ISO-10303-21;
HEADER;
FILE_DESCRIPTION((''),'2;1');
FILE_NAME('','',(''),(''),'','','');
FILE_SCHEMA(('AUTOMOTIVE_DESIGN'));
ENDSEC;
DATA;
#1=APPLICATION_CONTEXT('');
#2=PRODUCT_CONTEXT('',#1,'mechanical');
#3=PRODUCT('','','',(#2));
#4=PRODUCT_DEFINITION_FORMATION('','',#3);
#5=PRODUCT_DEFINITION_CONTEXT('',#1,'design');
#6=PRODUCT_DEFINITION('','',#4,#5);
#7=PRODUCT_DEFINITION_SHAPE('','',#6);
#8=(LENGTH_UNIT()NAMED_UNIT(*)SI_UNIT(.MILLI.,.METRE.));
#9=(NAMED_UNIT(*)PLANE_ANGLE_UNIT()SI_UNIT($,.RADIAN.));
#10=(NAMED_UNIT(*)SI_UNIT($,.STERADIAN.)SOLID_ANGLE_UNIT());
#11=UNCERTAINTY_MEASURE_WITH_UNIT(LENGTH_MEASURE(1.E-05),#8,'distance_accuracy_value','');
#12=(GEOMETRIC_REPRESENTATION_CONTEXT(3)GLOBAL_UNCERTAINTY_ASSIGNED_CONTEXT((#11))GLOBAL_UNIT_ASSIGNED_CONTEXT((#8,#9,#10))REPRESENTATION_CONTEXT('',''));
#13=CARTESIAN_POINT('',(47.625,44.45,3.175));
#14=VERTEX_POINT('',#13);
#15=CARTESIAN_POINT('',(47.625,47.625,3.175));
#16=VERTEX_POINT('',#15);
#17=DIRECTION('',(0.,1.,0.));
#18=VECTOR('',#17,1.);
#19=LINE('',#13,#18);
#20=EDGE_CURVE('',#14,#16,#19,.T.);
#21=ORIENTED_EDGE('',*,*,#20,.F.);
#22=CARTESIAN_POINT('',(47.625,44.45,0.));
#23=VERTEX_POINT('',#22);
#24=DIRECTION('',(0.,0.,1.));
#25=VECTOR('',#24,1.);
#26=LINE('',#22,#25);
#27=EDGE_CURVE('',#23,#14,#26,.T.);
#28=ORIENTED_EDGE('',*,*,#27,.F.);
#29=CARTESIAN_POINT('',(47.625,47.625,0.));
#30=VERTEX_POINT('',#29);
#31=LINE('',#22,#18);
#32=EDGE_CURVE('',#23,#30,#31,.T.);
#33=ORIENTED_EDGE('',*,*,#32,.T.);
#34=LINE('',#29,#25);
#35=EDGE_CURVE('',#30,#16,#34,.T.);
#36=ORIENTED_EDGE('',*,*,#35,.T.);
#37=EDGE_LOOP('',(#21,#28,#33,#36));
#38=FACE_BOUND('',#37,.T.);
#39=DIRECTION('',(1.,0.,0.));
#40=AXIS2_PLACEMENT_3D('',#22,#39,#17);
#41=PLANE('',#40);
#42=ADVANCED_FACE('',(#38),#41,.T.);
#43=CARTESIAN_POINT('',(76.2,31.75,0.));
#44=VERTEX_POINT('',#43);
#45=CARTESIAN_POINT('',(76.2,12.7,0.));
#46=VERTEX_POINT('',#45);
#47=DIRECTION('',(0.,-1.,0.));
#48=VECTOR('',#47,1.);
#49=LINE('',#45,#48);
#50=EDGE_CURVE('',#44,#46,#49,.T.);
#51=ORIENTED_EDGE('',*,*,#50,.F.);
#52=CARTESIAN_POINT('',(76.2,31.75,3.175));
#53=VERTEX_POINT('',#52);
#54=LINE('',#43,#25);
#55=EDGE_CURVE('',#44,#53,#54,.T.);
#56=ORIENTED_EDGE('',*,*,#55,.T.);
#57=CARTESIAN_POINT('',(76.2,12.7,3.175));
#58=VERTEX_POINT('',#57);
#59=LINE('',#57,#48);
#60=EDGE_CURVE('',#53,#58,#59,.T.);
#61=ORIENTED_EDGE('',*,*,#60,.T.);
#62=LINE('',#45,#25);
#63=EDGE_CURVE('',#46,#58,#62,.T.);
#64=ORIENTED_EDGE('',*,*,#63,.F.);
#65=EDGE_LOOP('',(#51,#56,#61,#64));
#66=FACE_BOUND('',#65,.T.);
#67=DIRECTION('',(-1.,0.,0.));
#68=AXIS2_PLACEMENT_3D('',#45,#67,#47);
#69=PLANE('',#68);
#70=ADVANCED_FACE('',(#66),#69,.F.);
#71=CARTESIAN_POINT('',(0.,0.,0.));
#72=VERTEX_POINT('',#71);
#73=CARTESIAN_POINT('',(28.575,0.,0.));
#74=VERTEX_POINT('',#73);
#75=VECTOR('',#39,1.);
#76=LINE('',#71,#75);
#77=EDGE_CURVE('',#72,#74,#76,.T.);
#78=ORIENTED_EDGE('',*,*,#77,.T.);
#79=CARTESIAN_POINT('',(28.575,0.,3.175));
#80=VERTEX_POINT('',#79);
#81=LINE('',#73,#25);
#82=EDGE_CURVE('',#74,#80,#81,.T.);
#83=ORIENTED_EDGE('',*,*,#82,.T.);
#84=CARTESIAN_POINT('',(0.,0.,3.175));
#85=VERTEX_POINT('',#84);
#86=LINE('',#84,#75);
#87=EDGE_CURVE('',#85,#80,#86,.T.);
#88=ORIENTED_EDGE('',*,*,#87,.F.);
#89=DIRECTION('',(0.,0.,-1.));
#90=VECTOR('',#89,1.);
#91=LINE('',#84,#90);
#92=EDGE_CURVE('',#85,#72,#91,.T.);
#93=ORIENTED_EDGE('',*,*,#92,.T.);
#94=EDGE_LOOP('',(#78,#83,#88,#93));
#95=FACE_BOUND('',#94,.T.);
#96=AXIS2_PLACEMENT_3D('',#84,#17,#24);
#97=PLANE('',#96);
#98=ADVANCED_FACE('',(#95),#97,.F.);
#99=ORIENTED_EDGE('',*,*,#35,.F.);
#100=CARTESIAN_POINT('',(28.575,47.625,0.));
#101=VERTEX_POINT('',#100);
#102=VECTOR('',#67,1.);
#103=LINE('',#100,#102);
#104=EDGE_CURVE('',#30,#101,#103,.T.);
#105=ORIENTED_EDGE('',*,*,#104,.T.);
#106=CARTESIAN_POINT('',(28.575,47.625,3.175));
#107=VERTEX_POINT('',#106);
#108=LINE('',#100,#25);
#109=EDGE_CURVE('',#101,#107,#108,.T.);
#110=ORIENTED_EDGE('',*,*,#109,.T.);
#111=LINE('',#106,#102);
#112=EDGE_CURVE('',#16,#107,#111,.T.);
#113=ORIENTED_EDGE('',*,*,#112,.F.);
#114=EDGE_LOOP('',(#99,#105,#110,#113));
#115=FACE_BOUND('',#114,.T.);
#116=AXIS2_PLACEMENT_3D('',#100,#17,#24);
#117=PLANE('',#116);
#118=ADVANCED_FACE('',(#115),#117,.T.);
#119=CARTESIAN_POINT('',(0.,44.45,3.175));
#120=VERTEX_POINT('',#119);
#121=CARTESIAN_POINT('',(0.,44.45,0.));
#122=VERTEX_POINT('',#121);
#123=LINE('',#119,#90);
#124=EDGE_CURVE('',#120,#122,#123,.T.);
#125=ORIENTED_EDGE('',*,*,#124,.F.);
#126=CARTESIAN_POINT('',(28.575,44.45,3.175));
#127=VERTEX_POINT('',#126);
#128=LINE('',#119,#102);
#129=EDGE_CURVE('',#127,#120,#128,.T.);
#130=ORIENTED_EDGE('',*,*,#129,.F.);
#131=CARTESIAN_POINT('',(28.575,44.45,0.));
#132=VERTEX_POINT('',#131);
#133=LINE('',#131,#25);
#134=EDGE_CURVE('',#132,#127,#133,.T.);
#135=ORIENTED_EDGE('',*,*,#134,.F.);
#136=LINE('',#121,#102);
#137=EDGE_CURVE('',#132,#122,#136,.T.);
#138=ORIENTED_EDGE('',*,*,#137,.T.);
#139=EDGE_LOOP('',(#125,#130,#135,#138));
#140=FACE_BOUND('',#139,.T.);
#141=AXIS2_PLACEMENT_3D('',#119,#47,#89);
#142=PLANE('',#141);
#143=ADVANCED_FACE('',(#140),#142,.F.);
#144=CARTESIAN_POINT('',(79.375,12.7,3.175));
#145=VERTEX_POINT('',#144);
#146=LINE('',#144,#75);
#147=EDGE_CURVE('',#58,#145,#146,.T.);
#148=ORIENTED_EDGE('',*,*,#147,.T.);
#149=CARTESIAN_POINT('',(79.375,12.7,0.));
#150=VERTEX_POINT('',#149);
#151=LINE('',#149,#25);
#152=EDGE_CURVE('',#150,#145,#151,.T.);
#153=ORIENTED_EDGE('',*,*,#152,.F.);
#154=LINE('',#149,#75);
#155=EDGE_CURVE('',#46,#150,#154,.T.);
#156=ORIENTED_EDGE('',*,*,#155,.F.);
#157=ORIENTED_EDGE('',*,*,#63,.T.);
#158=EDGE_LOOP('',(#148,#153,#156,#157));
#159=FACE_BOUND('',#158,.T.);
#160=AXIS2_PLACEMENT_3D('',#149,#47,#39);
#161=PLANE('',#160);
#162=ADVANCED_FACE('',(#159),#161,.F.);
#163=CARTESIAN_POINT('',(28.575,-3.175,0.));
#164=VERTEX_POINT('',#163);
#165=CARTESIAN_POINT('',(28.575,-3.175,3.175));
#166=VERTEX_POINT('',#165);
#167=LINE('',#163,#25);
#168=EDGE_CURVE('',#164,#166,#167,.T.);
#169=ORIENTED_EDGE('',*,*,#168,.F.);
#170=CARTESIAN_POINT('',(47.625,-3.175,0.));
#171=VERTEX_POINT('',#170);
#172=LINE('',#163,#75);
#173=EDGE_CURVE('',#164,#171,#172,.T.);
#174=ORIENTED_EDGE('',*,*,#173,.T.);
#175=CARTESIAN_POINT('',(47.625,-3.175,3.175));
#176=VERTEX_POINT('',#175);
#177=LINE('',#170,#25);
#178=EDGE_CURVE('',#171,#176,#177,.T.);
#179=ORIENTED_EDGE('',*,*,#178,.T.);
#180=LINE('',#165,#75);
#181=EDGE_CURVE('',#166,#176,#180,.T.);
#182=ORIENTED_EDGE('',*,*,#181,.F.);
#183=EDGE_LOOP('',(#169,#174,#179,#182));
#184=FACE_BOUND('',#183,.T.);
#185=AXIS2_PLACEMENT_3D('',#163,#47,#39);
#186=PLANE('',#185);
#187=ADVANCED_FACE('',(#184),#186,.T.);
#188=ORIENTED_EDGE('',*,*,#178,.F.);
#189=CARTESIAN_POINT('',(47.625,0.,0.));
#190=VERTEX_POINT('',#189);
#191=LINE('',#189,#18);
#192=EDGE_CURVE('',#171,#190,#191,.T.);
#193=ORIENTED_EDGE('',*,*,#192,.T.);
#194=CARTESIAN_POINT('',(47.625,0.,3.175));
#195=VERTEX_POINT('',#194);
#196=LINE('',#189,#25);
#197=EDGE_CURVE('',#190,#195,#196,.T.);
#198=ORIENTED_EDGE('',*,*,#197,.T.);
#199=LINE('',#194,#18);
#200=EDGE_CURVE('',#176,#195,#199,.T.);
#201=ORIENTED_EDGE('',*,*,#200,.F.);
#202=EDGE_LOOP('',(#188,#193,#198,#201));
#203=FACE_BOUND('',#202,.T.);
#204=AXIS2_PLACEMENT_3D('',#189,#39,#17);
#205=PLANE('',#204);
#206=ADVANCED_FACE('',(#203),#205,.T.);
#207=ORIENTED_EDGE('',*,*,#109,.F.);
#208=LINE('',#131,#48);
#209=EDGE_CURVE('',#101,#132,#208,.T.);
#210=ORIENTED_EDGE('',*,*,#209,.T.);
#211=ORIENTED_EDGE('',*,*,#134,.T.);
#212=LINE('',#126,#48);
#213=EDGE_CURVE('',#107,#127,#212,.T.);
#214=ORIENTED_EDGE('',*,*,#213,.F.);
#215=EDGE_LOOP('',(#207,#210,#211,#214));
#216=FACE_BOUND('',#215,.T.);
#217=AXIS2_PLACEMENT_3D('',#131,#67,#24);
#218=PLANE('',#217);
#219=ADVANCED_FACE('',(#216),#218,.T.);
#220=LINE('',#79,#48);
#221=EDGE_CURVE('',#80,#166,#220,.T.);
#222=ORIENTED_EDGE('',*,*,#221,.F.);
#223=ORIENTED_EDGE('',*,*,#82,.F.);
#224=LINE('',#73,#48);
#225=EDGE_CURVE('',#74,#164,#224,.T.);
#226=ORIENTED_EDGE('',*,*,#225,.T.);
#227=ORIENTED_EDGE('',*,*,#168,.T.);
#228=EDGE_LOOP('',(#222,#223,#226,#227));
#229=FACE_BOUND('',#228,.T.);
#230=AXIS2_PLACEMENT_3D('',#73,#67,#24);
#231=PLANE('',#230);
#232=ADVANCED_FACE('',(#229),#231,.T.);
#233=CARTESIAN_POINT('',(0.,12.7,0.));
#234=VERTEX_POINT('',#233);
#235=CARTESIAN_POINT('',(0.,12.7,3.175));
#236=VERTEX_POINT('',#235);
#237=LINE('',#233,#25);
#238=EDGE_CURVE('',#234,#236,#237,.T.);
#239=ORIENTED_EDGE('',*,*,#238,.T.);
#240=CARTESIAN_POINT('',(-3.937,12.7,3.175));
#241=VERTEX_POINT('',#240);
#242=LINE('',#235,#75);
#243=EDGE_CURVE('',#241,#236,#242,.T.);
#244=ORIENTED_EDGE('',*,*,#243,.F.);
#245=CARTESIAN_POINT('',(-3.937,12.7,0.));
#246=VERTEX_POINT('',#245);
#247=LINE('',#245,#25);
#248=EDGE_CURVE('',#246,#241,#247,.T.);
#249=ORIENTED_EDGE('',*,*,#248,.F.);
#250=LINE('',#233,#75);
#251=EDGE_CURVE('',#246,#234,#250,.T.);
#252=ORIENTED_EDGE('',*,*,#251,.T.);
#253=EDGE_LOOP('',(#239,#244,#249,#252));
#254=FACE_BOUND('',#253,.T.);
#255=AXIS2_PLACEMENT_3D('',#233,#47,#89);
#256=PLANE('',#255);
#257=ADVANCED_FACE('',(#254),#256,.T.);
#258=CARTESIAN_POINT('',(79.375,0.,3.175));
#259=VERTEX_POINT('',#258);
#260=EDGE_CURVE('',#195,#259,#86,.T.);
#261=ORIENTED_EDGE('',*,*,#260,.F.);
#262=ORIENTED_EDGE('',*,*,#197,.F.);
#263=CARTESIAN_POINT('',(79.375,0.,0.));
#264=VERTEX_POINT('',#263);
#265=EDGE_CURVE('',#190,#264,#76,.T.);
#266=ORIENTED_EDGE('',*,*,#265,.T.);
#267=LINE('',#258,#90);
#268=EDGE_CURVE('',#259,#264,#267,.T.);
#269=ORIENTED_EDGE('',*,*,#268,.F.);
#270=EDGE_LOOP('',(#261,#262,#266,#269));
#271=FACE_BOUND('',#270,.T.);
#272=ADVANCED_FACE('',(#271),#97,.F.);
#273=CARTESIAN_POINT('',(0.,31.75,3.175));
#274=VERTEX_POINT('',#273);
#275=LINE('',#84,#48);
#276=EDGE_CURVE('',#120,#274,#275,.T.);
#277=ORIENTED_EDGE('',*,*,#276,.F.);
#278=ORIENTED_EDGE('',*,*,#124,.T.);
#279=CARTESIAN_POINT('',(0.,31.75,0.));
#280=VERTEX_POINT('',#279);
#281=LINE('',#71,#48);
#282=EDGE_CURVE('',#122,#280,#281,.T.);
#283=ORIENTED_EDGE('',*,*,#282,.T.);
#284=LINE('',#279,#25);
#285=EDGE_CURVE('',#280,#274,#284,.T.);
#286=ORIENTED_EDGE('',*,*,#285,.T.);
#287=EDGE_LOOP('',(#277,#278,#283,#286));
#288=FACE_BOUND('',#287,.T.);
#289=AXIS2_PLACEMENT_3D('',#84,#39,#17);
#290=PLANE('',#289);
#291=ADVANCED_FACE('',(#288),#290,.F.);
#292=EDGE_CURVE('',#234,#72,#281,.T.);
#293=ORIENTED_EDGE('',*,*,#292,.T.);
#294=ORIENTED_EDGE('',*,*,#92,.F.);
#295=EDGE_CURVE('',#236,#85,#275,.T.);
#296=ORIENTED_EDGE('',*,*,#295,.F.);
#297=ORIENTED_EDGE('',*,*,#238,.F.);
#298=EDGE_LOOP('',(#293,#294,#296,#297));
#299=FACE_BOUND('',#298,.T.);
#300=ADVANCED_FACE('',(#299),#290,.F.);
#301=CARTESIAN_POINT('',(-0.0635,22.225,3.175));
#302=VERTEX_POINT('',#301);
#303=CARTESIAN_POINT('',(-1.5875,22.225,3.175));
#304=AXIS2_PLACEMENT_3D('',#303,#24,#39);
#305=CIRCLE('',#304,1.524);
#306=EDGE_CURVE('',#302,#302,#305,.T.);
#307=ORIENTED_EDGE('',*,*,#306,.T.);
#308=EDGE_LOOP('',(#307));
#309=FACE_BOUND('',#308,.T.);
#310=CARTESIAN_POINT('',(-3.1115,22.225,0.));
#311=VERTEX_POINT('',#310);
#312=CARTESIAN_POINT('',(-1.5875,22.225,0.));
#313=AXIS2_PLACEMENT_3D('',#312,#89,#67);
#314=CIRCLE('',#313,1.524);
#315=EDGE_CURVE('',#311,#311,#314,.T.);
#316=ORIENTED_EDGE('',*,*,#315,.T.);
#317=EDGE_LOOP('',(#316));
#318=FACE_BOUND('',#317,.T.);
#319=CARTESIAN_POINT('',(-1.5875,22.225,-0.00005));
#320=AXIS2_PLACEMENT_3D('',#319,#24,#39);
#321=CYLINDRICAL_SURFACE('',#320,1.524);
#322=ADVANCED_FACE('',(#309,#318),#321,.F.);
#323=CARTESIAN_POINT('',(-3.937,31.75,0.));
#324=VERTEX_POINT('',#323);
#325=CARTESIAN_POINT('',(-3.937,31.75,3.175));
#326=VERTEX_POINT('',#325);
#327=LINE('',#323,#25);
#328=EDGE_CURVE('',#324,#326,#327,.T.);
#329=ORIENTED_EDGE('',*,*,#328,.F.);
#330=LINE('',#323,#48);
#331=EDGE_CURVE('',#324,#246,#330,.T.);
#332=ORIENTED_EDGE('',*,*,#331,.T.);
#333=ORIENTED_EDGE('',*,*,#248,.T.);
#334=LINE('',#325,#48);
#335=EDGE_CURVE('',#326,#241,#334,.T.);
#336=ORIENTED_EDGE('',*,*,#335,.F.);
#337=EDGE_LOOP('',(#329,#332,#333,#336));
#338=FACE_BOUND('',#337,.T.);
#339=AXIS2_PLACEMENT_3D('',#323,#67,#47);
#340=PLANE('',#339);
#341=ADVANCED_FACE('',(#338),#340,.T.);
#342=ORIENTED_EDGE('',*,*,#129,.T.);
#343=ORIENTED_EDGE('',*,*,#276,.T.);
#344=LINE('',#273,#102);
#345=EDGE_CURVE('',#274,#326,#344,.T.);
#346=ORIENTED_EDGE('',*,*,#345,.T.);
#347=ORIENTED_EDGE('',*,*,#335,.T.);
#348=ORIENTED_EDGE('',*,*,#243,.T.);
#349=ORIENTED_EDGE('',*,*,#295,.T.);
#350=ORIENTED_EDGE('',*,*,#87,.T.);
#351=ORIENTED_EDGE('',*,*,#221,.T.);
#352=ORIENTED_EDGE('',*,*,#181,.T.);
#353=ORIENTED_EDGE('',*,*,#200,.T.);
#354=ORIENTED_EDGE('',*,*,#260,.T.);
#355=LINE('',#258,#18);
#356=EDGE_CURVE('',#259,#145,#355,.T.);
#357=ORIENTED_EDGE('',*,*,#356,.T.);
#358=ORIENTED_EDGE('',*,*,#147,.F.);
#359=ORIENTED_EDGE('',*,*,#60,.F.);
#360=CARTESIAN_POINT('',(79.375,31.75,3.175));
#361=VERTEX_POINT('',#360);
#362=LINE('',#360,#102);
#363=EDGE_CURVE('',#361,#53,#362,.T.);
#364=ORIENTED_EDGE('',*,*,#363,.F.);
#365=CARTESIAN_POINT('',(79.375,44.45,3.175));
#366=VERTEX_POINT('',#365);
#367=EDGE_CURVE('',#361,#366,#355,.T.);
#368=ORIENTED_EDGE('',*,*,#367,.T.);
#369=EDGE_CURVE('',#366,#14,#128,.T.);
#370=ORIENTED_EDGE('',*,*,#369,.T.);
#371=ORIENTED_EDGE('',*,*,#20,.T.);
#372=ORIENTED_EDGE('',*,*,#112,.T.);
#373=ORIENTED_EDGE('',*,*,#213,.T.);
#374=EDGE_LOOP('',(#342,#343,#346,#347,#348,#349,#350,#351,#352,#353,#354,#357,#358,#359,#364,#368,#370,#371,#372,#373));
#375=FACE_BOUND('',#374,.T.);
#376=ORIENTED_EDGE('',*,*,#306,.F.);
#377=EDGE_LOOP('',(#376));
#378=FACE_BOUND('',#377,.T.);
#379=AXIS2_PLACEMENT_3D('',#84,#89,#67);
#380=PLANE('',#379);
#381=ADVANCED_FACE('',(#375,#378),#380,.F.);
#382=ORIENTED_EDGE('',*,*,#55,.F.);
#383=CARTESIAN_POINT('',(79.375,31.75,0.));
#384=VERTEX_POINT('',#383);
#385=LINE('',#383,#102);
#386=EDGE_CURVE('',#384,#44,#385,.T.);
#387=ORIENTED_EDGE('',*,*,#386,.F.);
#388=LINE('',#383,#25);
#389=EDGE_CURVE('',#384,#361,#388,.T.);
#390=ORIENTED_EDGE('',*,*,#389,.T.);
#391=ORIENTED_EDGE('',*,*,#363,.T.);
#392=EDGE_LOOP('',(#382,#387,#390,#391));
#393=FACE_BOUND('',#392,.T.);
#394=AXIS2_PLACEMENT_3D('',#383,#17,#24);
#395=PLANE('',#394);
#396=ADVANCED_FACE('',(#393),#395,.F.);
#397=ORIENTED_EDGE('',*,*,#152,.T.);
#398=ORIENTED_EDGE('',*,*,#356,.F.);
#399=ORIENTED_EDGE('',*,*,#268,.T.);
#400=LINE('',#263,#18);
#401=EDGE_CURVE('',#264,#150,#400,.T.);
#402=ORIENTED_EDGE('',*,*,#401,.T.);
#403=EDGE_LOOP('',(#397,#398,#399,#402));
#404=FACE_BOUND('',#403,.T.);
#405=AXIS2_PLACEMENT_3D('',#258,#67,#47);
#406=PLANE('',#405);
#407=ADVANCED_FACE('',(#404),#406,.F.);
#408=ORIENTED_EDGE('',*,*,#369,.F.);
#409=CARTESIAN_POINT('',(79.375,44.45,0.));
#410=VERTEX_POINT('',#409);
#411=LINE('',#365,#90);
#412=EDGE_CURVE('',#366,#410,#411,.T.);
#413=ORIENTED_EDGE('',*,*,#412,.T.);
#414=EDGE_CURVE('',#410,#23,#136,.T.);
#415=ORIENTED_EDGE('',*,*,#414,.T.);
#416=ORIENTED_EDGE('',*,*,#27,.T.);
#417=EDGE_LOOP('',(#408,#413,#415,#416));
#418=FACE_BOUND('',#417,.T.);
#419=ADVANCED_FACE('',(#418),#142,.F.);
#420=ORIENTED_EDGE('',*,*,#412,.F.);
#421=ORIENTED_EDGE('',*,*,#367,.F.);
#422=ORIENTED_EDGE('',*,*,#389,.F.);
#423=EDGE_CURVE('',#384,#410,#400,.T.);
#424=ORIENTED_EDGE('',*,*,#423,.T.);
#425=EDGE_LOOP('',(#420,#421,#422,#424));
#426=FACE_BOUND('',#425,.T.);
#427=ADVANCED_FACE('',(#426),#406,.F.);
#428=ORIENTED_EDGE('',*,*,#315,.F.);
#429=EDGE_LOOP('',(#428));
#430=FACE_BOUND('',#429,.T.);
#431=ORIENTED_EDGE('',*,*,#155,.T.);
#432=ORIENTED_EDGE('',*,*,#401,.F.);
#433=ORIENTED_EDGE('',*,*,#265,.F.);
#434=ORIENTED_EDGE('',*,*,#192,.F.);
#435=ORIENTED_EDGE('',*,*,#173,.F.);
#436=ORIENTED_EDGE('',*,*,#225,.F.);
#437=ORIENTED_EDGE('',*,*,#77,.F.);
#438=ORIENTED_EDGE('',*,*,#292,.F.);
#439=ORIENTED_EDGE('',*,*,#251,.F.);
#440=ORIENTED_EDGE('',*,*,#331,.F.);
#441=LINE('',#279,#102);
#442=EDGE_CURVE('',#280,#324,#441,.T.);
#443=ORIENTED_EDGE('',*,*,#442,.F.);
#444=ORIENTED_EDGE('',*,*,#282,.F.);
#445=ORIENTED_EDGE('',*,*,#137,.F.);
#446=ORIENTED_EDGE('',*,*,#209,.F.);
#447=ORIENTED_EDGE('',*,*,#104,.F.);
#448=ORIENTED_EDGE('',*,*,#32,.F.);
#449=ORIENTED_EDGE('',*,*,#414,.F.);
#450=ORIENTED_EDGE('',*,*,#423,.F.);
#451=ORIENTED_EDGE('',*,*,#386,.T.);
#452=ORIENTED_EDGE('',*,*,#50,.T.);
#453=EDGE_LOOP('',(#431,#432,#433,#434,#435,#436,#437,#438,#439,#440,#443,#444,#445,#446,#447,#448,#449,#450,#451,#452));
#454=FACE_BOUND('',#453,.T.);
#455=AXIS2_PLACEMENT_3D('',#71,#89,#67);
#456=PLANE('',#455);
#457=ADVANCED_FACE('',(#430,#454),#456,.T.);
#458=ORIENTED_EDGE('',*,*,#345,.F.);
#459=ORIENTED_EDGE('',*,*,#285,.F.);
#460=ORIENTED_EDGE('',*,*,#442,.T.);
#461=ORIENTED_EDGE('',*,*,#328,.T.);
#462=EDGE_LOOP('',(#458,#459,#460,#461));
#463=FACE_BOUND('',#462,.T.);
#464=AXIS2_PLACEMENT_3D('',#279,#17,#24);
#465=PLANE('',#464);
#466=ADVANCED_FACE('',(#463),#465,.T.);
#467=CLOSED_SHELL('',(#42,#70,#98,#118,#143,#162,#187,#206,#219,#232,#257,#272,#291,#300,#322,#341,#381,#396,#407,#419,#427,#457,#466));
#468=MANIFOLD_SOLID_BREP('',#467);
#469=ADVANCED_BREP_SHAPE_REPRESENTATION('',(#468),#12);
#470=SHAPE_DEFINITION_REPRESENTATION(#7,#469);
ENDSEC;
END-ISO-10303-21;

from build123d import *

# Parameters (mm, degrees)
SKETCH1_W           = 79.375
SKETCH1_H           = 44.45
BOSS_EXTRUDE1_DEPTH = 3.175
SKETCH2_W           = 3.175
SKETCH2_H           = 19.05
BOSS_EXTRUDE2_DEPTH = 3.175
SKETCH5_W           = 19.05
SKETCH5_H           = 3.175
BOSS_EXTRUDE3_DEPTH = 3.175
SKETCH3_W           = 3.175
SKETCH3_H           = 19.05
CUT_EXTRUDE1_DEPTH  = 3.175
SKETCH6_W           = 0.762
SKETCH6_H           = 19.05
BOSS_EXTRUDE4_DEPTH = 3.175
SKETCH7_R           = 1.524
CUT_EXTRUDE2_DEPTH  = 93.620796126


with BuildPart() as part:
    # Sketch1 → Boss-Extrude1 (new body)
    with BuildSketch(Plane.XY):
        with Locations((39.6875, 22.225)):
            Rectangle(SKETCH1_W, SKETCH1_H)
    extrude(amount=BOSS_EXTRUDE1_DEPTH)

    # Sketch2 → Boss-Extrude2 (add)
    with BuildSketch(Plane.XY.offset(3.175)):
        with Locations((-1.5875, 22.225)):
            Rectangle(SKETCH2_W, SKETCH2_H)
    extrude(amount=-BOSS_EXTRUDE2_DEPTH)

    # Sketch5 → Boss-Extrude3 (add)
    with BuildSketch(Plane.XY.offset(3.175)):
        with Locations((38.1, 46.0375)):
            Rectangle(SKETCH5_W, SKETCH5_H)
        with Locations((38.1, -1.5875)):
            Rectangle(SKETCH5_W, SKETCH5_H)
    extrude(amount=-BOSS_EXTRUDE3_DEPTH)

    # Sketch3 → Cut-Extrude1 (cut)
    with BuildSketch(Plane.XY.offset(3.175)):
        with Locations((77.7875, 22.225)):
            Rectangle(SKETCH3_W, SKETCH3_H)
    extrude(amount=-CUT_EXTRUDE1_DEPTH, mode=Mode.SUBTRACT)

    # Sketch6 → Boss-Extrude4 (add)
    with BuildSketch(Plane.XY.offset(3.175)):
        with Locations((-3.556, 22.225)):
            Rectangle(SKETCH6_W, SKETCH6_H)
    extrude(amount=-BOSS_EXTRUDE4_DEPTH)

    # Sketch7 → Cut-Extrude2 (cut, through all)
    with BuildSketch(Plane.XY.offset(3.175)):
        with Locations((-1.5875, 22.225)):
            Circle(SKETCH7_R)
    extrude(amount=-CUT_EXTRUDE2_DEPTH, mode=Mode.SUBTRACT)


solid = part.part
